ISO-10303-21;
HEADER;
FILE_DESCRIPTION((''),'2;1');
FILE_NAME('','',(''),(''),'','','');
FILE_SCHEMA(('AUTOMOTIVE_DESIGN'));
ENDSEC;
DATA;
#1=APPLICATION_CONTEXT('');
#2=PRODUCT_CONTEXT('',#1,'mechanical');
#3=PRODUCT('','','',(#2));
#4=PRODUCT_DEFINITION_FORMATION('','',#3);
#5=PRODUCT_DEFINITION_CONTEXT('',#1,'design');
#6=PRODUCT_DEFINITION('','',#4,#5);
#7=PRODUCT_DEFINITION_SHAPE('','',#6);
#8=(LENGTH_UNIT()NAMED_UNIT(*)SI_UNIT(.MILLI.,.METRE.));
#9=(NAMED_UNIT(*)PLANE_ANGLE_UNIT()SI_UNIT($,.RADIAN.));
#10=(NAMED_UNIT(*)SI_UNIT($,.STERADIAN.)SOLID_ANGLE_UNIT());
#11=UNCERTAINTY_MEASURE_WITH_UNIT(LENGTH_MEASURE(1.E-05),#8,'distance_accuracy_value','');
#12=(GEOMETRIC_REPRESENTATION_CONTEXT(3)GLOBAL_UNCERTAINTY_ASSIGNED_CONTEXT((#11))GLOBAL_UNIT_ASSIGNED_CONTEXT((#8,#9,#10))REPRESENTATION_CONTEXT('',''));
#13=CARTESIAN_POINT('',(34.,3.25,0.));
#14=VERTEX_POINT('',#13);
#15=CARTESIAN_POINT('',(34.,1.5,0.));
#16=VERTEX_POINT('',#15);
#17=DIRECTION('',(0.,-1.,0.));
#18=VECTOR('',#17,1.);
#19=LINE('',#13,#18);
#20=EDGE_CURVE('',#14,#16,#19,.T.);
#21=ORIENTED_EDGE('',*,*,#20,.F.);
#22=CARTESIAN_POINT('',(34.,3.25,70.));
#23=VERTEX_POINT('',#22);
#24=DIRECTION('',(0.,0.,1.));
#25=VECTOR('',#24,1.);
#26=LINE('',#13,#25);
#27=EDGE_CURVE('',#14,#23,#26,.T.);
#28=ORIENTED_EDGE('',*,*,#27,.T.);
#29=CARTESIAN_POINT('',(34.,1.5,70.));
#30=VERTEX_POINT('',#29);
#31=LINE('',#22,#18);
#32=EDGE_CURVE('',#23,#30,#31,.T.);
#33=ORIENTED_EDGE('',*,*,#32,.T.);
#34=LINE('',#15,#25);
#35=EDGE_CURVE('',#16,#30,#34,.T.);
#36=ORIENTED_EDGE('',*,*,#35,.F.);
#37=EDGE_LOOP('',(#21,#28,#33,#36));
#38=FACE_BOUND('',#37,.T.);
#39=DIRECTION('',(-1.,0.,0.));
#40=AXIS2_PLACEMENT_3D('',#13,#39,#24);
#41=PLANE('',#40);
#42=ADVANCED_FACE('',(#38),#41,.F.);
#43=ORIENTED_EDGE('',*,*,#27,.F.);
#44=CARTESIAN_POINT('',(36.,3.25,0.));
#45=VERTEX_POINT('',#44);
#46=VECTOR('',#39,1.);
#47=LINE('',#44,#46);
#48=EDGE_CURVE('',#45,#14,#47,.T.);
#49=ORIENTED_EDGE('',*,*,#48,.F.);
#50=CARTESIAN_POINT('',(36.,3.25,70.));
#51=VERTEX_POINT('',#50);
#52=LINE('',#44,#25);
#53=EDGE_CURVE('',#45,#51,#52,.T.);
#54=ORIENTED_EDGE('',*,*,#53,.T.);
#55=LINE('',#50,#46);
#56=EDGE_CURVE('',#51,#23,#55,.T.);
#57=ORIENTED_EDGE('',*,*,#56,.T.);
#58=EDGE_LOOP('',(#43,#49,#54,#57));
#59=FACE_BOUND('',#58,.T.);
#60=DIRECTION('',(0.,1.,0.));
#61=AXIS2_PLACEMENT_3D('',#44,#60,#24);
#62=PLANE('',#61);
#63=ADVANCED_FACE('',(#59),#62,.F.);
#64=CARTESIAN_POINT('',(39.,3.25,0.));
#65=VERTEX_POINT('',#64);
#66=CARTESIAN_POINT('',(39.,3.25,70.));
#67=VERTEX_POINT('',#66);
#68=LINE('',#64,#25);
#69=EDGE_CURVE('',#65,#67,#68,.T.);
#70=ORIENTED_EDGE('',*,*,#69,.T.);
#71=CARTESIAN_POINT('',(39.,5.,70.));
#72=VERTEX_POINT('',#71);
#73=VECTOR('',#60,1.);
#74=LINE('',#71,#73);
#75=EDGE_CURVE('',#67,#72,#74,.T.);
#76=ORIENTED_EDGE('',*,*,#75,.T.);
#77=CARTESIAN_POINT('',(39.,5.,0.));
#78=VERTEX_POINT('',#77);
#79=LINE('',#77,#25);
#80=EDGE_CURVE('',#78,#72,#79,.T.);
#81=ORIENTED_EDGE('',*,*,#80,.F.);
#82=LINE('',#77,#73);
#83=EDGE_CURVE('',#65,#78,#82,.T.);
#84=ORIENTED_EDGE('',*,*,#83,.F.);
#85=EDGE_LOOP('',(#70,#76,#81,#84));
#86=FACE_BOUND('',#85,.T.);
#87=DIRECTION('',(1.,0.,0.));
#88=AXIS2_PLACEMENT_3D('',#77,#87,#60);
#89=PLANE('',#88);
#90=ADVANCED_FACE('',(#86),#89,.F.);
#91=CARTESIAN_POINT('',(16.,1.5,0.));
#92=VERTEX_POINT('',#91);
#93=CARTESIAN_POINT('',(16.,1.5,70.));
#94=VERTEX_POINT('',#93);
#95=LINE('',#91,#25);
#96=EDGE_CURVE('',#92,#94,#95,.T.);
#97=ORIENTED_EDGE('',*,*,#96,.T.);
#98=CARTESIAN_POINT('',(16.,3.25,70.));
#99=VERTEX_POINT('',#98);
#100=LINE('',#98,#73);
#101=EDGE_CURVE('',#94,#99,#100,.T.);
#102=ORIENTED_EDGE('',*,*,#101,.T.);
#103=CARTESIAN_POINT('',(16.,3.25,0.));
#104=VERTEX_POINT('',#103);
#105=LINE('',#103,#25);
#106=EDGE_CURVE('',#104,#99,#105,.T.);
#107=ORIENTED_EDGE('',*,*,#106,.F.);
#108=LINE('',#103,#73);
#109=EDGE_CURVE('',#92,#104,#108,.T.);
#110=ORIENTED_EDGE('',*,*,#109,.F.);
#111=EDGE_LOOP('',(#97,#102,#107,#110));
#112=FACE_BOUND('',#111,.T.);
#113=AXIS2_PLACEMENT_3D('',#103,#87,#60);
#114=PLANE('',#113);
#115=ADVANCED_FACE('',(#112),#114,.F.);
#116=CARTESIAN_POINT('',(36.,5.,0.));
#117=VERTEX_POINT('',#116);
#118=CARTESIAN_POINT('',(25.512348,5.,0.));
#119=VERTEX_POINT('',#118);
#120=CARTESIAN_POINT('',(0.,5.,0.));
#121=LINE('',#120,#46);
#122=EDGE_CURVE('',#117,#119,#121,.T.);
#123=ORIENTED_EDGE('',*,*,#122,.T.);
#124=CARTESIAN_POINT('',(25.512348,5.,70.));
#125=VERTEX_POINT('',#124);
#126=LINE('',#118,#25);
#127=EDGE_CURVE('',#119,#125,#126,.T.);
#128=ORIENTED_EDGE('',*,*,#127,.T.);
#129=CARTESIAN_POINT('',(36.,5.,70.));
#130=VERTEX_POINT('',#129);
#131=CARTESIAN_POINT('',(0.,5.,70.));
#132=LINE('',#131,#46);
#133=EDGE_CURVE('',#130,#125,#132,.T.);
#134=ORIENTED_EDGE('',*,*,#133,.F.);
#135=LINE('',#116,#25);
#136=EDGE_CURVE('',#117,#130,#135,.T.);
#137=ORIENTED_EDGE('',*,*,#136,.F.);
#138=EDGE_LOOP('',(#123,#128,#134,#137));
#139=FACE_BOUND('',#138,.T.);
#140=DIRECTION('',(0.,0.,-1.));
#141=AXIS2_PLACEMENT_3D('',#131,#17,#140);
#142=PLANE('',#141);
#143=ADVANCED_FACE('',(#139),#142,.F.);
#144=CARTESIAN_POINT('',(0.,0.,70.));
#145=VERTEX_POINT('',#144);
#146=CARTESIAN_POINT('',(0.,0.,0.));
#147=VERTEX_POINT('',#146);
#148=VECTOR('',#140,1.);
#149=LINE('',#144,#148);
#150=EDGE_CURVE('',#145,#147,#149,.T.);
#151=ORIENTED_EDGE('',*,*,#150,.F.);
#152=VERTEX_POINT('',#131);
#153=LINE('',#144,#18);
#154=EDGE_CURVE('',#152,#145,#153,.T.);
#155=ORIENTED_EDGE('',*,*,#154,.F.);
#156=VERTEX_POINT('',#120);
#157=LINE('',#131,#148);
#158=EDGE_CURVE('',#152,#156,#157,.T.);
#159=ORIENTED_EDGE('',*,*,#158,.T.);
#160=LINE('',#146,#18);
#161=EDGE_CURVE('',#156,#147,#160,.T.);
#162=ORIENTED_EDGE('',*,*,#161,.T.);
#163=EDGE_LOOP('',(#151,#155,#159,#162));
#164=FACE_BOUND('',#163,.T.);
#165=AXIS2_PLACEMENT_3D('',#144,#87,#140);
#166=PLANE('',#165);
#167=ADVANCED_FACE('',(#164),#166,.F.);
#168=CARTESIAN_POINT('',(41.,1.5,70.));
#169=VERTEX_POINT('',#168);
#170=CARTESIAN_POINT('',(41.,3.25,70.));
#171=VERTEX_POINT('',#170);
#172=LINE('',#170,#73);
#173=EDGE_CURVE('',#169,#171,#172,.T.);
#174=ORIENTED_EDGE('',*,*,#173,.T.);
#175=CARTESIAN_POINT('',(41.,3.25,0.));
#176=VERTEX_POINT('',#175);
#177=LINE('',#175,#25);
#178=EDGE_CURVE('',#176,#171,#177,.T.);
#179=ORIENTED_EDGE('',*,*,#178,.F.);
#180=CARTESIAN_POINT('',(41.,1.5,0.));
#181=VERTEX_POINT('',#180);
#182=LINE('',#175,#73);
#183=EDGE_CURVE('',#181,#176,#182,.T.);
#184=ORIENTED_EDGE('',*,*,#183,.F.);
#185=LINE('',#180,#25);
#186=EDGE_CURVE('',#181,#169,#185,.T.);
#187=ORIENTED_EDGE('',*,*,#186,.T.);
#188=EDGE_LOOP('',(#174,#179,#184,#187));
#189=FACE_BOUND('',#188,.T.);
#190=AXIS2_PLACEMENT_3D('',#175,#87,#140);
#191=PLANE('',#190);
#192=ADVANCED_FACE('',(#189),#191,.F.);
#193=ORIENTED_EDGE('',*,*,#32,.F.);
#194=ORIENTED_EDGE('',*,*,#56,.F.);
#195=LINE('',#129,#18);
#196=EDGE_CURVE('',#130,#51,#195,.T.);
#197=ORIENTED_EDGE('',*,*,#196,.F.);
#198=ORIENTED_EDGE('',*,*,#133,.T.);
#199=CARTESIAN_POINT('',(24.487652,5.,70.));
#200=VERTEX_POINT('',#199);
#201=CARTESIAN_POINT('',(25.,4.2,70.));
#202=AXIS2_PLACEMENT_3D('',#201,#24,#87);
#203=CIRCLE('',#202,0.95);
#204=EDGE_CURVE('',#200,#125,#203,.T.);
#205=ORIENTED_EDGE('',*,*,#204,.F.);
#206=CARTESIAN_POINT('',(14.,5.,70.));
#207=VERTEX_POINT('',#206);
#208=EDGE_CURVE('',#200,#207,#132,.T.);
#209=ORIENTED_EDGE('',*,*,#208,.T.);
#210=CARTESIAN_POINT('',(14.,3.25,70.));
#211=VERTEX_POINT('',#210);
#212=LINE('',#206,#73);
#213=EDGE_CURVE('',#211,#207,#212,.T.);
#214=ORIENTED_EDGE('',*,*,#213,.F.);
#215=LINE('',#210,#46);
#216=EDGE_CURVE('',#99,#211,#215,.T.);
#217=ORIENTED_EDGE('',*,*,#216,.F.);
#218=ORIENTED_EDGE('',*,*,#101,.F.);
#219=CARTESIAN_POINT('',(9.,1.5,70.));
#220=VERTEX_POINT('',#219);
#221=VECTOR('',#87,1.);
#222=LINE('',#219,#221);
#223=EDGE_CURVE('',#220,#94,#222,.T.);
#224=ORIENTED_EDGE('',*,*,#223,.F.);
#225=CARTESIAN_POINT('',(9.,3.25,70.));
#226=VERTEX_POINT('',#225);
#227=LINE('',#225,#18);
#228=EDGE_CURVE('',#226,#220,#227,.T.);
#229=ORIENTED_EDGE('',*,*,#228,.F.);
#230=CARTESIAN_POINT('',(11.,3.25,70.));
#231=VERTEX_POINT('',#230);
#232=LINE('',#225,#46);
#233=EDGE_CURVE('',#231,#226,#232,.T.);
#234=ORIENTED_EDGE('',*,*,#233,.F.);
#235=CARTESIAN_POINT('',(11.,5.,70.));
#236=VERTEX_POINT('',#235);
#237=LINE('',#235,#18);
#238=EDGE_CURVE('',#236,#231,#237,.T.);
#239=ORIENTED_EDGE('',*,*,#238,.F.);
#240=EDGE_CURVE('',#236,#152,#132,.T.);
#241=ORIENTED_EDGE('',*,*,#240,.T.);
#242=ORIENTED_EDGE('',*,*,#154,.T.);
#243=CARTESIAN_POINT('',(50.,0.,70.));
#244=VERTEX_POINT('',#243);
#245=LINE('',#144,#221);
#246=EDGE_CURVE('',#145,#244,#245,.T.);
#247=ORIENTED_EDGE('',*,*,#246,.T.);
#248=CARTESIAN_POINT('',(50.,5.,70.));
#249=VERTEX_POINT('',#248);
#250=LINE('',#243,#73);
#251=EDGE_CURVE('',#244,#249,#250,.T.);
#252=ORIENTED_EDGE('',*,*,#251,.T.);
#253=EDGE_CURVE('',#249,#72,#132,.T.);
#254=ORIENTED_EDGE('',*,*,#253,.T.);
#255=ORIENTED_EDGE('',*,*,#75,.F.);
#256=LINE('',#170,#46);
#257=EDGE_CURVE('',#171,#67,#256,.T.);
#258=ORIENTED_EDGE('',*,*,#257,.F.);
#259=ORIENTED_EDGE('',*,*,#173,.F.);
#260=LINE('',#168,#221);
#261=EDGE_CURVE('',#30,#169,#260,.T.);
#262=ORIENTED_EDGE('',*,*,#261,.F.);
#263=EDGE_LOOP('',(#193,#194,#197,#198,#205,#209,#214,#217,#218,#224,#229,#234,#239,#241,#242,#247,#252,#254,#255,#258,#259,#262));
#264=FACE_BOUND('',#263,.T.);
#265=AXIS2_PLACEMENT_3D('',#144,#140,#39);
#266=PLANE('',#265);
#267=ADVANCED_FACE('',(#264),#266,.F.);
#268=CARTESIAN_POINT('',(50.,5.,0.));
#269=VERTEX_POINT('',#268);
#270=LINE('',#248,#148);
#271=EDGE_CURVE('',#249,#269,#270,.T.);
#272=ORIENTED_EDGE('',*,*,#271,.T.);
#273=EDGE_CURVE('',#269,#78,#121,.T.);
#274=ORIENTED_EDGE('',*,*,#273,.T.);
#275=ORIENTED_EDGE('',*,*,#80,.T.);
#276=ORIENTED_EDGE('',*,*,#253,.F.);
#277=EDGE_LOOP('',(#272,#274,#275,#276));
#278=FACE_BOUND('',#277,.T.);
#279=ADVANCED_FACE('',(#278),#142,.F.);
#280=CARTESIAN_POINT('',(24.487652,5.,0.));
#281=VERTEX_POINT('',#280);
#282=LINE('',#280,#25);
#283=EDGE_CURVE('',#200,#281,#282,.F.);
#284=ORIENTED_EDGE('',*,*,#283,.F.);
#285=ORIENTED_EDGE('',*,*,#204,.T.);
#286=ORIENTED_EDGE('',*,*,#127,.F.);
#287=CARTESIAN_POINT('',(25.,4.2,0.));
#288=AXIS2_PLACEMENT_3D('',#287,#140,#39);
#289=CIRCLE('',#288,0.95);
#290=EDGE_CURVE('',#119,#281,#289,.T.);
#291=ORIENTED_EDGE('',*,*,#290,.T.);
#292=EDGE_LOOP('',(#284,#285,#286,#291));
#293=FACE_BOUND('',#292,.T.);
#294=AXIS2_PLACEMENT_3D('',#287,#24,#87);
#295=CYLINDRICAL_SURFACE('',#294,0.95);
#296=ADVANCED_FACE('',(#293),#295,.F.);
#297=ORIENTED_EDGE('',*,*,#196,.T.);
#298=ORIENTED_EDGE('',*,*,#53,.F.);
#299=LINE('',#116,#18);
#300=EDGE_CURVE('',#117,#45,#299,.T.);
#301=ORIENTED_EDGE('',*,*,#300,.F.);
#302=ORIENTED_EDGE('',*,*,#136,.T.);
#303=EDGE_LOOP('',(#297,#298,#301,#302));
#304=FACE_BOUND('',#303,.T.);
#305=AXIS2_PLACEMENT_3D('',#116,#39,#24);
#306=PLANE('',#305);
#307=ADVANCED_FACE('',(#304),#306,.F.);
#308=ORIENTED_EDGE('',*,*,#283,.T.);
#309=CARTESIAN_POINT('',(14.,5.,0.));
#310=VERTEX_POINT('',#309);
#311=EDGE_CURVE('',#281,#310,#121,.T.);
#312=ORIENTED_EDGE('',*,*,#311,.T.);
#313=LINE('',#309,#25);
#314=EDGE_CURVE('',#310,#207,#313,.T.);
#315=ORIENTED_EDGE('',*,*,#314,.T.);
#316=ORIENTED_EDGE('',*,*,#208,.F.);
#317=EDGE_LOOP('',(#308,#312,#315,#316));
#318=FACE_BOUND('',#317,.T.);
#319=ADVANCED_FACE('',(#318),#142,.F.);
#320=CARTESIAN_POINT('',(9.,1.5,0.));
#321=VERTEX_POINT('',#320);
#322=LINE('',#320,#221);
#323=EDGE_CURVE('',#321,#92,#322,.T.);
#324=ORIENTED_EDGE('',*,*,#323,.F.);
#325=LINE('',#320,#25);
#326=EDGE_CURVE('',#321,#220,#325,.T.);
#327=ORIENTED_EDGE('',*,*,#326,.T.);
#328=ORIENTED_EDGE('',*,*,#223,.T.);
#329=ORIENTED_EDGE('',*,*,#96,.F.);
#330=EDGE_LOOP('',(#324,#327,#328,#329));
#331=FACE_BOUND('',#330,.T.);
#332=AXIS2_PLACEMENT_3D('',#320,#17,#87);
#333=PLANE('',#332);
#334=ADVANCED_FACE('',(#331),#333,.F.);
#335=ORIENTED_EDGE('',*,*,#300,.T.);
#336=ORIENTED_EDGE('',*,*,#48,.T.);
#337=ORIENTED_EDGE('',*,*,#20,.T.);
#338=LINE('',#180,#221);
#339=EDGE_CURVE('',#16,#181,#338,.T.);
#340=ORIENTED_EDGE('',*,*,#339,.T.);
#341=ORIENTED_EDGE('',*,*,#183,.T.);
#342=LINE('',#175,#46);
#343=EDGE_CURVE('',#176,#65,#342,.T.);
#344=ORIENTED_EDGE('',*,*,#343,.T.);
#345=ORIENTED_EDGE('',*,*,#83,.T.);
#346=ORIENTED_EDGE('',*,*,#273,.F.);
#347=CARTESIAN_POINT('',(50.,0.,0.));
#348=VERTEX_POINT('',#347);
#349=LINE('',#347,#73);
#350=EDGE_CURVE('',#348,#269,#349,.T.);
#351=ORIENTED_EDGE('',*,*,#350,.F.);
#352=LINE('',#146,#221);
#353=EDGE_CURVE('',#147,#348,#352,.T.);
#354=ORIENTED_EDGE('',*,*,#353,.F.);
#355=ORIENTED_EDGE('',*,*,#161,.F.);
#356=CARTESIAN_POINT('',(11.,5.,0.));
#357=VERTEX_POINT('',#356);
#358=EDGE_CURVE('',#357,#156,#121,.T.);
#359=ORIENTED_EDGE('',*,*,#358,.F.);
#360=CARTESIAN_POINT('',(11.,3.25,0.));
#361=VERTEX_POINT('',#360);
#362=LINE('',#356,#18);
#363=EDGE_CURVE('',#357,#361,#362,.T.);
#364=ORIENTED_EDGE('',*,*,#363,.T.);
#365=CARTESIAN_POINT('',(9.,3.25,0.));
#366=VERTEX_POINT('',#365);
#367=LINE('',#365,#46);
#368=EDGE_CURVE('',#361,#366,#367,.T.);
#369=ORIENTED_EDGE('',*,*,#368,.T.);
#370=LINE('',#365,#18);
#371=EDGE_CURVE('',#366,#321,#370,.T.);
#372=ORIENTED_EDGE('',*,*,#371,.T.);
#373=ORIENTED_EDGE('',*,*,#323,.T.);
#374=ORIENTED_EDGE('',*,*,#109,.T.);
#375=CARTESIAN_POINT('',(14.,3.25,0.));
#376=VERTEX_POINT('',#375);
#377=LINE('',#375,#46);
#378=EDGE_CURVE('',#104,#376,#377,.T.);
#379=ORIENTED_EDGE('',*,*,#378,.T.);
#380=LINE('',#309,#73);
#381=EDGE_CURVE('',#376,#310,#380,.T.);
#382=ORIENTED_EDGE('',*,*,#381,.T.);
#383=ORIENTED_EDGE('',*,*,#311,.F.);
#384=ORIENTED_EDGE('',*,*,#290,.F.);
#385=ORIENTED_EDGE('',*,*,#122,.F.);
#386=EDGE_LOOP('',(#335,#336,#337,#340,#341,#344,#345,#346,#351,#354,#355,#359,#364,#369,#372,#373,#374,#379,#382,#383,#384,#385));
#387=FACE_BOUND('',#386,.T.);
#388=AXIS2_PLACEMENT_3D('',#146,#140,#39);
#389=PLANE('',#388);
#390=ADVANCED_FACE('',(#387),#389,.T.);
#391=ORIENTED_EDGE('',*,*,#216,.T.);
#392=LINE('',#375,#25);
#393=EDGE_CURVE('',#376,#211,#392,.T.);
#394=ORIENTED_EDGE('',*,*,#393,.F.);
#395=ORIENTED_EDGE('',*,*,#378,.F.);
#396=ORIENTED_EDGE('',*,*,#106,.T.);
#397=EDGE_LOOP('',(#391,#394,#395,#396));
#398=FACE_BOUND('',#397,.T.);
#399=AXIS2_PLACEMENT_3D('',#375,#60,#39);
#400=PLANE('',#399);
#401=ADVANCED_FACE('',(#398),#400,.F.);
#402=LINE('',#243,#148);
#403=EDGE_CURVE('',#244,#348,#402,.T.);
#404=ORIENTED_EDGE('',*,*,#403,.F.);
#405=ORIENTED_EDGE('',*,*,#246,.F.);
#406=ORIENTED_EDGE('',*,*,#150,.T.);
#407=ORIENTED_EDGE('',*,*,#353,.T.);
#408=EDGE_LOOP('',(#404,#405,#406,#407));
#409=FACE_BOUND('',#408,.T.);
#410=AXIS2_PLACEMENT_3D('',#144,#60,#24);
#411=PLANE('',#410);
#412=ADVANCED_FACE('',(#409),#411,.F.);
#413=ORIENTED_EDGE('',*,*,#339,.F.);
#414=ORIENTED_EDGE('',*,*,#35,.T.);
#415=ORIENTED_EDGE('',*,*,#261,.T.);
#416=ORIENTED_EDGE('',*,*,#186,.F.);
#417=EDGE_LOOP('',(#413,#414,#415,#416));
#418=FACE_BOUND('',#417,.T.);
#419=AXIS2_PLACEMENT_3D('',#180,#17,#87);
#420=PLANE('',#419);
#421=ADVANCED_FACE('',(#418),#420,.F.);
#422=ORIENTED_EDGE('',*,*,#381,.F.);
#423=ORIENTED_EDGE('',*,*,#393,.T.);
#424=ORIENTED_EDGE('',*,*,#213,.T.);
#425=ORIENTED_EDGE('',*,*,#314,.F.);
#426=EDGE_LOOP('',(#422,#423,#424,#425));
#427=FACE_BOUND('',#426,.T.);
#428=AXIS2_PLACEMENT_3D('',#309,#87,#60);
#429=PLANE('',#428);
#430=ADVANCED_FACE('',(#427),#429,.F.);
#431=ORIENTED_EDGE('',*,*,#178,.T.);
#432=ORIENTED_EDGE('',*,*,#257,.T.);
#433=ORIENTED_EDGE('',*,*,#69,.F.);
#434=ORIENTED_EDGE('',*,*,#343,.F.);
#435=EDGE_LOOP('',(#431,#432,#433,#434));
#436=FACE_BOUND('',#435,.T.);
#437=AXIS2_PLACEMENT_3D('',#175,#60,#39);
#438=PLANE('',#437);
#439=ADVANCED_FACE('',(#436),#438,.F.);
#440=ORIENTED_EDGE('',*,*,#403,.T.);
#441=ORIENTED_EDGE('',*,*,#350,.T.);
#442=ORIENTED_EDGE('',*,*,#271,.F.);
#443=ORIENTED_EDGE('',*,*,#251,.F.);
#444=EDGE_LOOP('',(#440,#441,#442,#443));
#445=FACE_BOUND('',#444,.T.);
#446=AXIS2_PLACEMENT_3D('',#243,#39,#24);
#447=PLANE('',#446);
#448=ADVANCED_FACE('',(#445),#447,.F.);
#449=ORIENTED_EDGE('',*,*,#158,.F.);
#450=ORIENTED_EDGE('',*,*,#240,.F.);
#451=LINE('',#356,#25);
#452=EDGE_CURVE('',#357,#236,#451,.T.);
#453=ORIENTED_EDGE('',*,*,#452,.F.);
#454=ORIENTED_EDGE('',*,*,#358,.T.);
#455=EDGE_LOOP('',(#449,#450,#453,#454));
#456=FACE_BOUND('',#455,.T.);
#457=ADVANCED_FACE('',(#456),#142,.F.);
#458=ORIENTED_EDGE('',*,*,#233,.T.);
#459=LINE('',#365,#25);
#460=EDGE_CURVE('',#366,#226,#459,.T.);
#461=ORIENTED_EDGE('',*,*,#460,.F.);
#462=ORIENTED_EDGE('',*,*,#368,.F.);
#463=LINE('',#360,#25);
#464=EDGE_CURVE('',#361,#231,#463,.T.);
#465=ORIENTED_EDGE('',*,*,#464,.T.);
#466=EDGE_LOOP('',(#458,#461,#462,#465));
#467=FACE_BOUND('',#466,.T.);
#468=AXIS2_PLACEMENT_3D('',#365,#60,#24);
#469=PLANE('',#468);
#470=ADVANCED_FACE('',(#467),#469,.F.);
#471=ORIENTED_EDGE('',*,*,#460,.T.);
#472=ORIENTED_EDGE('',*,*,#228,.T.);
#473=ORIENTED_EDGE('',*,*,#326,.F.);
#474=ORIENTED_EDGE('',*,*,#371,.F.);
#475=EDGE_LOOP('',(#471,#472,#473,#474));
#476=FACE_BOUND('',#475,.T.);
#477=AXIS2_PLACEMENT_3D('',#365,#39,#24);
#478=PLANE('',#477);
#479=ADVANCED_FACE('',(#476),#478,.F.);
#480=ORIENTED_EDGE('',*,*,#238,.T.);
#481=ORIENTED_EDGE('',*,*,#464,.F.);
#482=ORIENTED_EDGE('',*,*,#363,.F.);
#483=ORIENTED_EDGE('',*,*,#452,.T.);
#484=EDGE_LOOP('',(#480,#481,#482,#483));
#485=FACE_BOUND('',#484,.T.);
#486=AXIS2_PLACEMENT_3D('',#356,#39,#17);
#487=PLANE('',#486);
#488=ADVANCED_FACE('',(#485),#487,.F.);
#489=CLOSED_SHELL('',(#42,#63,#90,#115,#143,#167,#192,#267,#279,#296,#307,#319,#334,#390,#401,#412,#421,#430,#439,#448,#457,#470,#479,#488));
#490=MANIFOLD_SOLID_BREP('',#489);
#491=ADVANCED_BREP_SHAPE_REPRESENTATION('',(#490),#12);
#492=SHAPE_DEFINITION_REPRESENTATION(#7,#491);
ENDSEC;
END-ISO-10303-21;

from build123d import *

# Parameters (mm, degrees)
SKETCH1_W           = 50
SKETCH1_H           = 5
BOSS_EXTRUDE1_DEPTH = 70
SKETCH3_R           = 0.95
CUT_EXTRUDE2_DEPTH  = 71


with BuildPart() as part:
    # Sketch1 → Boss-Extrude1 (new body)
    with BuildSketch(Plane.XY):
        with Locations((25, 2.5)):
            Rectangle(SKETCH1_W, SKETCH1_H)
    extrude(amount=BOSS_EXTRUDE1_DEPTH)

    # Sketch3 → Cut-Extrude2 (cut, through all)
    with BuildSketch(Plane.XY.offset(70)):
        with Locations((25, 4.2)):
            Circle(SKETCH3_R)
        Polygon((14, 3.25), (16, 3.25), (16, 1.5), (9, 1.5), (9, 3.25), (11, 3.25), (11, 5), (14, 5), align=None)
        Polygon((41, 3.25), (41, 1.5), (34, 1.5), (34, 3.25), (36, 3.25), (36, 5), (39, 5), (39, 3.25), align=None)
    extrude(amount=-CUT_EXTRUDE2_DEPTH, mode=Mode.SUBTRACT)


solid = part.part
